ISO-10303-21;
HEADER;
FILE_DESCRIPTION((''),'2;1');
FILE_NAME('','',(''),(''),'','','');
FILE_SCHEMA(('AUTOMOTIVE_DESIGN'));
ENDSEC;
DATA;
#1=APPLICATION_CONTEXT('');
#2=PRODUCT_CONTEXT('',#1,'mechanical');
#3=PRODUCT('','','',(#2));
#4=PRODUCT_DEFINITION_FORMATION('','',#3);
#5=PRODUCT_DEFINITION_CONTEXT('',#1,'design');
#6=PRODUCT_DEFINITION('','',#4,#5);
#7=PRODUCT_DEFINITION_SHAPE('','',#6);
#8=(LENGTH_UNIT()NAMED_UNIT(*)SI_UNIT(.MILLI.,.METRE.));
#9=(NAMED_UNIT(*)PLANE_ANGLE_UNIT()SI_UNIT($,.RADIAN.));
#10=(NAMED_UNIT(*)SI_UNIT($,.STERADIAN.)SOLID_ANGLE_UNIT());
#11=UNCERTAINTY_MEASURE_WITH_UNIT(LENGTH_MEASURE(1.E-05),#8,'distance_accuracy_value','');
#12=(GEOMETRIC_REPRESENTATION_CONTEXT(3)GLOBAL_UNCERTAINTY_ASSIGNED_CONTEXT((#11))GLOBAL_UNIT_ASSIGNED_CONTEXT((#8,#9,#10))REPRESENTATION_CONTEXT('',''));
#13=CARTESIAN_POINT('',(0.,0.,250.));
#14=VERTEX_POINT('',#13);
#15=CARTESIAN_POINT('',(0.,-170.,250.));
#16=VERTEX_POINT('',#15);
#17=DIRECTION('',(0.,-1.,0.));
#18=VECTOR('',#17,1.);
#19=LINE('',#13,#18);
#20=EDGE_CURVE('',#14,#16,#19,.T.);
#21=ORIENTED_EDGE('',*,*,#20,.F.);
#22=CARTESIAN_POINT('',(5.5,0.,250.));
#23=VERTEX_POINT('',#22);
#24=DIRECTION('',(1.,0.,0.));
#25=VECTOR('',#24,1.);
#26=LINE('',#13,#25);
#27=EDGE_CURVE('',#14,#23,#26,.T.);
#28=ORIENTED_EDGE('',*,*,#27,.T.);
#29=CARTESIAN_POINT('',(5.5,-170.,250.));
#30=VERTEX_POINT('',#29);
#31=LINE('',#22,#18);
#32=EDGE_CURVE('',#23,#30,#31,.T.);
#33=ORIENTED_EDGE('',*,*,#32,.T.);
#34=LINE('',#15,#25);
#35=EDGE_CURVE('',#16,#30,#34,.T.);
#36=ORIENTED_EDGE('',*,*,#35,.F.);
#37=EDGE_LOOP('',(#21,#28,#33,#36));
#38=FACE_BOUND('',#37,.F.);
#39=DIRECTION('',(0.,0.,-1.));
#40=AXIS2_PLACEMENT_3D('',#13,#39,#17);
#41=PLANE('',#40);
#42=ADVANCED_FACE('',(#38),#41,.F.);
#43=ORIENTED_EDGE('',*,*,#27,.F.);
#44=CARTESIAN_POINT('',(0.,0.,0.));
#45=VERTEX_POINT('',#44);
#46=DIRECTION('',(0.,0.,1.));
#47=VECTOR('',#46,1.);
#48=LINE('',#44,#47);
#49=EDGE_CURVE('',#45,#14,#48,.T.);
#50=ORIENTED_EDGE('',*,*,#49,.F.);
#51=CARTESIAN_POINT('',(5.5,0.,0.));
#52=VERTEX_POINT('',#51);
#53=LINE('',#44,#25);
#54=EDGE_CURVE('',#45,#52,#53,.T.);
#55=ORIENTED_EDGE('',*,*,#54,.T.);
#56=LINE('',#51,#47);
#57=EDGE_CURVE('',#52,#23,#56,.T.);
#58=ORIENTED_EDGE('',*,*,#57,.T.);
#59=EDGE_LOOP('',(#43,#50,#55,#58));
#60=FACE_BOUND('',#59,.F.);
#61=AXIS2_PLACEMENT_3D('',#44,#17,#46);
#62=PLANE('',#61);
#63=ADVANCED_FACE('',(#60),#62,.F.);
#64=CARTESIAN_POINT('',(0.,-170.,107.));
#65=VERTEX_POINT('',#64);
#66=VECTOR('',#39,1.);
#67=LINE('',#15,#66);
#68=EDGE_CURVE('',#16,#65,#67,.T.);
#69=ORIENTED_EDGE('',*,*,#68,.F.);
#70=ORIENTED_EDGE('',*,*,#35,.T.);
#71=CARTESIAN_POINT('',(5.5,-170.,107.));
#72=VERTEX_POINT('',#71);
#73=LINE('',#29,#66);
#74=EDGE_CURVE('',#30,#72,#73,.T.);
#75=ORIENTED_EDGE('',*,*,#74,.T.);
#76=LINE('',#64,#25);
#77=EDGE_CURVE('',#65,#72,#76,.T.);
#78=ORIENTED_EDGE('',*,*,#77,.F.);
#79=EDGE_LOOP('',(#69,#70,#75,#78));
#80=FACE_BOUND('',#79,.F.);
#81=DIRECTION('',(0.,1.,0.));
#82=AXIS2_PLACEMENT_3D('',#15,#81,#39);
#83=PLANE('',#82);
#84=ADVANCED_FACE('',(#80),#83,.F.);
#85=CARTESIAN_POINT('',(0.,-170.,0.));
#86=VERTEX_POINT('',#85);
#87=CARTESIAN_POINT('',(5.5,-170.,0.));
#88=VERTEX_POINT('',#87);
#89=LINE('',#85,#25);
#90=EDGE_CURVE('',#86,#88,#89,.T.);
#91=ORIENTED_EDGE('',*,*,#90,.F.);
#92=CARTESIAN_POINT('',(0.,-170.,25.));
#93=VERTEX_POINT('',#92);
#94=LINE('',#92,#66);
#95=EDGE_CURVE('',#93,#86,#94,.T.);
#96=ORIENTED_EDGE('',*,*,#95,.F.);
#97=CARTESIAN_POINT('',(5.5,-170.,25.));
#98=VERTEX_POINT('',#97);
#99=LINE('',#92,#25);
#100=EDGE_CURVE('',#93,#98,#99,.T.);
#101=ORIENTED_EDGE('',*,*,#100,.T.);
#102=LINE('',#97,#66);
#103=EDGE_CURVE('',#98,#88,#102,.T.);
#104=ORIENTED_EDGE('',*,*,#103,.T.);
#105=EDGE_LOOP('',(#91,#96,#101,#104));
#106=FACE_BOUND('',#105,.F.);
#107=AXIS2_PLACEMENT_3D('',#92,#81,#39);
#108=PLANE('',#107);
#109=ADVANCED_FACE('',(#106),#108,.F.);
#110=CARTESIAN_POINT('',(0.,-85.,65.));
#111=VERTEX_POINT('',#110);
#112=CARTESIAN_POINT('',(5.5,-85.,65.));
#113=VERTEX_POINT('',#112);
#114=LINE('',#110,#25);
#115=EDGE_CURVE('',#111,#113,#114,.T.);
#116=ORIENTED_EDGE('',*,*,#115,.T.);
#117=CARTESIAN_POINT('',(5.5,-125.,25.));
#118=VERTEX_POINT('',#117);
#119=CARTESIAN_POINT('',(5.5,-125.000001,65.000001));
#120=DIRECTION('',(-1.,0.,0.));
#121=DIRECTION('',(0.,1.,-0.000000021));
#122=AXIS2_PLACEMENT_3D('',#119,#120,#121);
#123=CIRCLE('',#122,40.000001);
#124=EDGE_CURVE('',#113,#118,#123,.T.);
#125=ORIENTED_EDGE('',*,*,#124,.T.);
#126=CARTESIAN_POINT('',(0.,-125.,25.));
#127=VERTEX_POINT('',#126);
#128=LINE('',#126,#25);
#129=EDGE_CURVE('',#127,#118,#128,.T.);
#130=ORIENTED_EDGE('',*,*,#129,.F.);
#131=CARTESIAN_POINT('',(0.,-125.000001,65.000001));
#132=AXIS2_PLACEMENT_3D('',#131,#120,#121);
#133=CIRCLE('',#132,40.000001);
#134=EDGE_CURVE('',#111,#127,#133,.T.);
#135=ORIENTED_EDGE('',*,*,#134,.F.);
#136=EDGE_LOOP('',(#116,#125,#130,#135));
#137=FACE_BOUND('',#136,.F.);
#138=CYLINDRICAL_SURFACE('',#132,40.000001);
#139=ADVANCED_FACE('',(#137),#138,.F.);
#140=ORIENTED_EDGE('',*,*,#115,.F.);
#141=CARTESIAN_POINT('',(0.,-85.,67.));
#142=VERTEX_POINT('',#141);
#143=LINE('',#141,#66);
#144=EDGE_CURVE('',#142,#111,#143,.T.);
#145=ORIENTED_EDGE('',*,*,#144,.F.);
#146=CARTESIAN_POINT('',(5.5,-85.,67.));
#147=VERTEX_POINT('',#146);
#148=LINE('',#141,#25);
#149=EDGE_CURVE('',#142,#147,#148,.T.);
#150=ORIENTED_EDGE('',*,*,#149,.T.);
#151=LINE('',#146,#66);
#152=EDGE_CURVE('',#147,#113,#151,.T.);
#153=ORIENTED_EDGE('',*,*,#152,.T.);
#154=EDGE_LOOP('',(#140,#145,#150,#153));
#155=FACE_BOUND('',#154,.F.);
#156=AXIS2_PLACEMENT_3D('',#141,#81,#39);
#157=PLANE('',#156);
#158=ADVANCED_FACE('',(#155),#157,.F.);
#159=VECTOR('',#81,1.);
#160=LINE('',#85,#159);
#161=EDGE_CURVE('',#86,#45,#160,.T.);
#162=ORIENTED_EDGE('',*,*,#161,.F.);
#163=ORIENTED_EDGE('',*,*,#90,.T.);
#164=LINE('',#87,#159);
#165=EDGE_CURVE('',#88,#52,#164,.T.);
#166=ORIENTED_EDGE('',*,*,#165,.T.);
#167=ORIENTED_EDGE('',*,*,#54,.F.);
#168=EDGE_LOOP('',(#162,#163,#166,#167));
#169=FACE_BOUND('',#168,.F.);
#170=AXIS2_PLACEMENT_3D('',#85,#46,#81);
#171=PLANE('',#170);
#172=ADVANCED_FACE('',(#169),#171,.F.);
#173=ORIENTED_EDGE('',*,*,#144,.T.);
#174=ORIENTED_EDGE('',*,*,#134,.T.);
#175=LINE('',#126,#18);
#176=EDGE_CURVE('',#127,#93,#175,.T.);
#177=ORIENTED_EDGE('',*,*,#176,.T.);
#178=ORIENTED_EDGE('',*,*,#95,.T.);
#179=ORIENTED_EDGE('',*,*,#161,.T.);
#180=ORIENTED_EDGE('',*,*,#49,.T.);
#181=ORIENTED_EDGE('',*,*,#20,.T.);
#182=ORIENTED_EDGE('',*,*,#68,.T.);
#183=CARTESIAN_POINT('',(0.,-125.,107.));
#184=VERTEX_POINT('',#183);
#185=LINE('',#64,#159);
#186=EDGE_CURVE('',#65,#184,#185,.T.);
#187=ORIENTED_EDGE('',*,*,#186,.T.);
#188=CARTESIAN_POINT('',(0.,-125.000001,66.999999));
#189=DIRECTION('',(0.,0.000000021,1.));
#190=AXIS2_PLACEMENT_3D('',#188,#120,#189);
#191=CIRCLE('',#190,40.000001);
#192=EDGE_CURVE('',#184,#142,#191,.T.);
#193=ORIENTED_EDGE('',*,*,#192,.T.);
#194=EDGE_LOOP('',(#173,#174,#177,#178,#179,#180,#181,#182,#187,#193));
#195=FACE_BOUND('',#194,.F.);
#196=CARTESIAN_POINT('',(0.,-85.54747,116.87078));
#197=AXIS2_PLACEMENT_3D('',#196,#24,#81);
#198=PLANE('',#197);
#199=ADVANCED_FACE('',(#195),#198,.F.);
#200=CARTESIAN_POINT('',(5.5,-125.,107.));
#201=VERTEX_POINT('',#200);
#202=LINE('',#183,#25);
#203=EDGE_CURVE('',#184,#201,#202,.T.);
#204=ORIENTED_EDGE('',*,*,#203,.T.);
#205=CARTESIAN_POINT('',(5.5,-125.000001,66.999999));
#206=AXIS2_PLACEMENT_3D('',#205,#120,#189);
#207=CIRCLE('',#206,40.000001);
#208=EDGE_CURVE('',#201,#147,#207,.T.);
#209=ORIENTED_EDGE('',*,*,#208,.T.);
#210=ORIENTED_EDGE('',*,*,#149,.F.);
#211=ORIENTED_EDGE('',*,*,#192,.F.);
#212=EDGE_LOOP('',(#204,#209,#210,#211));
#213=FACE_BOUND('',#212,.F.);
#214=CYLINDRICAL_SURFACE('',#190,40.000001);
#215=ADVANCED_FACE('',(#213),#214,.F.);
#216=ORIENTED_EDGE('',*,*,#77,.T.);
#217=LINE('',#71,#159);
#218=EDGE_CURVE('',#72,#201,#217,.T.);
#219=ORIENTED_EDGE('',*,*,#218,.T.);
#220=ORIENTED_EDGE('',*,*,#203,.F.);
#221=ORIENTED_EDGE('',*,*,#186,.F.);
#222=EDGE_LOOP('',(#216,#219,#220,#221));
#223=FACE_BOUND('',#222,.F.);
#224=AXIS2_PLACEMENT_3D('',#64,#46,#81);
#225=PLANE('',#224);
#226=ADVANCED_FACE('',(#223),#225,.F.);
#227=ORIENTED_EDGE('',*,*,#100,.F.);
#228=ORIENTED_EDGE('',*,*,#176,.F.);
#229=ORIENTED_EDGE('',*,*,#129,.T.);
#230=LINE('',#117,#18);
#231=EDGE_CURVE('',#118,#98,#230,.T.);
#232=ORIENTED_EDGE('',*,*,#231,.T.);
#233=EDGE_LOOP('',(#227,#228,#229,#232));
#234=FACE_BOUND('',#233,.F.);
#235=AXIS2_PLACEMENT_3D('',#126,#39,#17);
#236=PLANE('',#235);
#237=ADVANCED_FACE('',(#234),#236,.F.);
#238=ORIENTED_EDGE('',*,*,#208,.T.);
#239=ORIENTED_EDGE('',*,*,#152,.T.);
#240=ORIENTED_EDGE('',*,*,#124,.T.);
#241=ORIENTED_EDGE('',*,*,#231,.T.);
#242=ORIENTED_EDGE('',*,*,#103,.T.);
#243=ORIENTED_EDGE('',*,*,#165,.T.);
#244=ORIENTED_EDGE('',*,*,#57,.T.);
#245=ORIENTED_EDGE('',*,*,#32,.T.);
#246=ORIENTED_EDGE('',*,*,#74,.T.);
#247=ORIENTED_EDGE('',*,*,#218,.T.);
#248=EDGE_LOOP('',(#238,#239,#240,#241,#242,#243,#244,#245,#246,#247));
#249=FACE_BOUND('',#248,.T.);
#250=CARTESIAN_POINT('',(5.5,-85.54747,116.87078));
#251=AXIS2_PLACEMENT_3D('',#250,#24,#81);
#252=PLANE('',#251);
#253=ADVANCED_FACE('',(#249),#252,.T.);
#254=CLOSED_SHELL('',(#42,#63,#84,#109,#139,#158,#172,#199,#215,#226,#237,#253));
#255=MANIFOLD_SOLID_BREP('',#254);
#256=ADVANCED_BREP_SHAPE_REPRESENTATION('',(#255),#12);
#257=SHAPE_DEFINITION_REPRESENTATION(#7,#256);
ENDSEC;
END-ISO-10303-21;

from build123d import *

# Parameters (mm, degrees)
F1_DEPTH = 5.5


with BuildPart() as f1:
    # F0 (on Right) → F1 (new body)
    with BuildSketch(Plane.YZ):
        with BuildLine():
            Line((-170, 0), (0, 0))
            Line((0, 0), (0, 190))
            Line((0, 190), (0, 250))
            Line((0, 250), (-60, 250))
            Line((-60, 250), (-170, 250))
            Line((-170, 250), (-170, 107))
            Line((-170, 107), (-125, 107))
            ThreePointArc((-125, 107), (-96.715729, 95.284271), (-85, 67))
            Line((-85, 67), (-85, 65))
            ThreePointArc((-85, 65), (-96.715729, 36.715729), (-125, 25))
            Line((-125, 25), (-170, 25))
            Line((-170, 25), (-170, 0))
        make_face()
    extrude(amount=F1_DEPTH)


solid = f1.part
